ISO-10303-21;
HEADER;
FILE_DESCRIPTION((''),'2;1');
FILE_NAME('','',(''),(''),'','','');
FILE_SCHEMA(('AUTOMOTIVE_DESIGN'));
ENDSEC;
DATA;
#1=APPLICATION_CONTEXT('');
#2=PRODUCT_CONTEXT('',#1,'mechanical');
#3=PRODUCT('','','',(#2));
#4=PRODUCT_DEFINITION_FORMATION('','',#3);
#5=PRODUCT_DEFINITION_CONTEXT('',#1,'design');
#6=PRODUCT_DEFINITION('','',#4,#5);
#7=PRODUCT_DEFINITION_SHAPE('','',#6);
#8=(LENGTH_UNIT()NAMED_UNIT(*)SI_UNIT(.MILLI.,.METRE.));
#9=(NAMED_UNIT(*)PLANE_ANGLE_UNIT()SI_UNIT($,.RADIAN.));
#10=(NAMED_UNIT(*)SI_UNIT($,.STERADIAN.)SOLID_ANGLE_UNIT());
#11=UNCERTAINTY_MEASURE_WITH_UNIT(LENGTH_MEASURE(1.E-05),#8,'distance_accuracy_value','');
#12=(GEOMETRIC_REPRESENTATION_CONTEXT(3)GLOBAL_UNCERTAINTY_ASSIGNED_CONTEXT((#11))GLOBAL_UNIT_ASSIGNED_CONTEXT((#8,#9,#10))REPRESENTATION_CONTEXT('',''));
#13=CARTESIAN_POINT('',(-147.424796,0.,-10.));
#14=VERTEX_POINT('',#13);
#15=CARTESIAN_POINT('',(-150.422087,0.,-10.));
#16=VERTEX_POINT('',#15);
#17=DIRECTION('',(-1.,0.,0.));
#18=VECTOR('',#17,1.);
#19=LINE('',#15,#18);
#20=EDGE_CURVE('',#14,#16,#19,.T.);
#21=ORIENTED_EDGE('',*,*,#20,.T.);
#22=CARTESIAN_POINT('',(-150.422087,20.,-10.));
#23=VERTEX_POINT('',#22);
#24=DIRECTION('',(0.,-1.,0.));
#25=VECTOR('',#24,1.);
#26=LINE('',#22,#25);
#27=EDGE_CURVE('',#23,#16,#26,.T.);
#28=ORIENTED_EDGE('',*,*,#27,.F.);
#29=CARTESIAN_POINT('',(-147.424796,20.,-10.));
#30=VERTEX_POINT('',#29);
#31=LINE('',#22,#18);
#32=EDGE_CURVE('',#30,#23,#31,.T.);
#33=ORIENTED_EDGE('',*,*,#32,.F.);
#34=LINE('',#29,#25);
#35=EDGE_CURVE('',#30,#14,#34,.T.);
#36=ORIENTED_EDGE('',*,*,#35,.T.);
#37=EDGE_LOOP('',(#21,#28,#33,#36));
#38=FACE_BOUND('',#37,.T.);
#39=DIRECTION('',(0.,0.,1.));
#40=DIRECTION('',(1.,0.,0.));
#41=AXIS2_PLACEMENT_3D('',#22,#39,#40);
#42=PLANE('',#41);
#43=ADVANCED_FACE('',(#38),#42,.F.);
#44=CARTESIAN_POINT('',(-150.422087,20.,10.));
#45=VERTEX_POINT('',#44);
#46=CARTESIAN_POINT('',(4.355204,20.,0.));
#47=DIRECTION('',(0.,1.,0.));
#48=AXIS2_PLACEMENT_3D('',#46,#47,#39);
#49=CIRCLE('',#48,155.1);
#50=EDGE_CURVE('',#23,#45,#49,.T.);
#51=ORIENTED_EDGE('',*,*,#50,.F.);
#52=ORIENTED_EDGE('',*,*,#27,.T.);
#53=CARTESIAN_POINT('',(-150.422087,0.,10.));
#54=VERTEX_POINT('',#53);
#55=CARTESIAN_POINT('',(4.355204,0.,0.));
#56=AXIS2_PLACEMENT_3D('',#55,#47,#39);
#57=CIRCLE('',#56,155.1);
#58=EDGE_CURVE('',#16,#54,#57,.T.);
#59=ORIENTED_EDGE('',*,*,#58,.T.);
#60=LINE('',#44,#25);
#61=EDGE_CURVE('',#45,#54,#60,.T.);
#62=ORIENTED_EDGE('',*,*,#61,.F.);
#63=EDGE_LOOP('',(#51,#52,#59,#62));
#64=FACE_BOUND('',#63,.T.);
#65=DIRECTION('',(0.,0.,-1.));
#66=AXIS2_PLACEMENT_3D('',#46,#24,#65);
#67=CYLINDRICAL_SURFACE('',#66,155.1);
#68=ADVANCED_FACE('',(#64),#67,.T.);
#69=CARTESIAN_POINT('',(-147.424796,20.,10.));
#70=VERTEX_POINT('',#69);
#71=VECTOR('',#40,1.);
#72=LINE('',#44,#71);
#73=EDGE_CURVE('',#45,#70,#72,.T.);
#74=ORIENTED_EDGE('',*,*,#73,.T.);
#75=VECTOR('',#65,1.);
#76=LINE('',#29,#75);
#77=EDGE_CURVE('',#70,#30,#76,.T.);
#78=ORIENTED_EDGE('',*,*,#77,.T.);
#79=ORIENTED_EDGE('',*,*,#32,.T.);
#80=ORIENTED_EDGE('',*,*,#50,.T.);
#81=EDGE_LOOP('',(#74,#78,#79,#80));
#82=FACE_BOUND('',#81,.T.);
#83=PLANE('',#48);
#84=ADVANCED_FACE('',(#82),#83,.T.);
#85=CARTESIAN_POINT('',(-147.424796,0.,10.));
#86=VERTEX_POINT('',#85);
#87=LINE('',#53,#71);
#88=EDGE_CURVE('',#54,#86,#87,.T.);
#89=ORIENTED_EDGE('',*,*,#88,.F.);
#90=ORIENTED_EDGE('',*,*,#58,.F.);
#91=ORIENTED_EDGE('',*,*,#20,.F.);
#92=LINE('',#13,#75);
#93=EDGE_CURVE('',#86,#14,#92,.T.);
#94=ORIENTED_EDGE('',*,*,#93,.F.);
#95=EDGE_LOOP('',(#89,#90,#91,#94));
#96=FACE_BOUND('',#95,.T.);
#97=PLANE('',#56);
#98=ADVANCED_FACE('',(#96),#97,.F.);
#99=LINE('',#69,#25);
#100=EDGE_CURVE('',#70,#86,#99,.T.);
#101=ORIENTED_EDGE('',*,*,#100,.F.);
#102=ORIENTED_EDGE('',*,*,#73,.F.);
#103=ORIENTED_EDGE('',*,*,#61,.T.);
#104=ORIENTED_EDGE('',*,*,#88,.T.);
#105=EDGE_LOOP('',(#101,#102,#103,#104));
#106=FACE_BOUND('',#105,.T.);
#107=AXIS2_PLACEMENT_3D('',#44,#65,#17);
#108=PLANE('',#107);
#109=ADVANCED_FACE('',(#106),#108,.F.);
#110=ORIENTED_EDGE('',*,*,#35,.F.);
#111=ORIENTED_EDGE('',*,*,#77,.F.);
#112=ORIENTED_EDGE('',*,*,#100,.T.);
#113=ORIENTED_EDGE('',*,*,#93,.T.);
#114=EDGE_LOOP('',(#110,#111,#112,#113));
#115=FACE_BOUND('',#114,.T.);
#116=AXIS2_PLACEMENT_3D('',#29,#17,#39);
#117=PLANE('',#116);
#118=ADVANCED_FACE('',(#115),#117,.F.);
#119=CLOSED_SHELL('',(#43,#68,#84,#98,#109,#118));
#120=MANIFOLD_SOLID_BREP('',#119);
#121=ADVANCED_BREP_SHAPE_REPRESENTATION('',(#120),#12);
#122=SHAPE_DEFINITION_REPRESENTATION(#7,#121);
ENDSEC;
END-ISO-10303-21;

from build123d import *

# Parameters (mm, degrees)
EXTRUDE_1_DEPTH = 20


with BuildPart() as part:
    # 草图1 → 凸台-拉伸1 (new body)
    with BuildSketch(Plane(origin=(0, 0, 0), x_dir=(1, 0, 0), z_dir=(0, 1, 0))):
        with BuildLine():
            Line((-150.422087281, 10), (-147.424795665, 10))
            Line((-147.424795665, 10), (-147.424795665, -10))
            Line((-147.424795665, -10), (-150.422087281, -10))
            ThreePointArc((-150.422087281, -10), (-150.744795665, 0), (-150.422087281, 10))
        make_face()
    extrude(amount=EXTRUDE_1_DEPTH)


solid = part.part
